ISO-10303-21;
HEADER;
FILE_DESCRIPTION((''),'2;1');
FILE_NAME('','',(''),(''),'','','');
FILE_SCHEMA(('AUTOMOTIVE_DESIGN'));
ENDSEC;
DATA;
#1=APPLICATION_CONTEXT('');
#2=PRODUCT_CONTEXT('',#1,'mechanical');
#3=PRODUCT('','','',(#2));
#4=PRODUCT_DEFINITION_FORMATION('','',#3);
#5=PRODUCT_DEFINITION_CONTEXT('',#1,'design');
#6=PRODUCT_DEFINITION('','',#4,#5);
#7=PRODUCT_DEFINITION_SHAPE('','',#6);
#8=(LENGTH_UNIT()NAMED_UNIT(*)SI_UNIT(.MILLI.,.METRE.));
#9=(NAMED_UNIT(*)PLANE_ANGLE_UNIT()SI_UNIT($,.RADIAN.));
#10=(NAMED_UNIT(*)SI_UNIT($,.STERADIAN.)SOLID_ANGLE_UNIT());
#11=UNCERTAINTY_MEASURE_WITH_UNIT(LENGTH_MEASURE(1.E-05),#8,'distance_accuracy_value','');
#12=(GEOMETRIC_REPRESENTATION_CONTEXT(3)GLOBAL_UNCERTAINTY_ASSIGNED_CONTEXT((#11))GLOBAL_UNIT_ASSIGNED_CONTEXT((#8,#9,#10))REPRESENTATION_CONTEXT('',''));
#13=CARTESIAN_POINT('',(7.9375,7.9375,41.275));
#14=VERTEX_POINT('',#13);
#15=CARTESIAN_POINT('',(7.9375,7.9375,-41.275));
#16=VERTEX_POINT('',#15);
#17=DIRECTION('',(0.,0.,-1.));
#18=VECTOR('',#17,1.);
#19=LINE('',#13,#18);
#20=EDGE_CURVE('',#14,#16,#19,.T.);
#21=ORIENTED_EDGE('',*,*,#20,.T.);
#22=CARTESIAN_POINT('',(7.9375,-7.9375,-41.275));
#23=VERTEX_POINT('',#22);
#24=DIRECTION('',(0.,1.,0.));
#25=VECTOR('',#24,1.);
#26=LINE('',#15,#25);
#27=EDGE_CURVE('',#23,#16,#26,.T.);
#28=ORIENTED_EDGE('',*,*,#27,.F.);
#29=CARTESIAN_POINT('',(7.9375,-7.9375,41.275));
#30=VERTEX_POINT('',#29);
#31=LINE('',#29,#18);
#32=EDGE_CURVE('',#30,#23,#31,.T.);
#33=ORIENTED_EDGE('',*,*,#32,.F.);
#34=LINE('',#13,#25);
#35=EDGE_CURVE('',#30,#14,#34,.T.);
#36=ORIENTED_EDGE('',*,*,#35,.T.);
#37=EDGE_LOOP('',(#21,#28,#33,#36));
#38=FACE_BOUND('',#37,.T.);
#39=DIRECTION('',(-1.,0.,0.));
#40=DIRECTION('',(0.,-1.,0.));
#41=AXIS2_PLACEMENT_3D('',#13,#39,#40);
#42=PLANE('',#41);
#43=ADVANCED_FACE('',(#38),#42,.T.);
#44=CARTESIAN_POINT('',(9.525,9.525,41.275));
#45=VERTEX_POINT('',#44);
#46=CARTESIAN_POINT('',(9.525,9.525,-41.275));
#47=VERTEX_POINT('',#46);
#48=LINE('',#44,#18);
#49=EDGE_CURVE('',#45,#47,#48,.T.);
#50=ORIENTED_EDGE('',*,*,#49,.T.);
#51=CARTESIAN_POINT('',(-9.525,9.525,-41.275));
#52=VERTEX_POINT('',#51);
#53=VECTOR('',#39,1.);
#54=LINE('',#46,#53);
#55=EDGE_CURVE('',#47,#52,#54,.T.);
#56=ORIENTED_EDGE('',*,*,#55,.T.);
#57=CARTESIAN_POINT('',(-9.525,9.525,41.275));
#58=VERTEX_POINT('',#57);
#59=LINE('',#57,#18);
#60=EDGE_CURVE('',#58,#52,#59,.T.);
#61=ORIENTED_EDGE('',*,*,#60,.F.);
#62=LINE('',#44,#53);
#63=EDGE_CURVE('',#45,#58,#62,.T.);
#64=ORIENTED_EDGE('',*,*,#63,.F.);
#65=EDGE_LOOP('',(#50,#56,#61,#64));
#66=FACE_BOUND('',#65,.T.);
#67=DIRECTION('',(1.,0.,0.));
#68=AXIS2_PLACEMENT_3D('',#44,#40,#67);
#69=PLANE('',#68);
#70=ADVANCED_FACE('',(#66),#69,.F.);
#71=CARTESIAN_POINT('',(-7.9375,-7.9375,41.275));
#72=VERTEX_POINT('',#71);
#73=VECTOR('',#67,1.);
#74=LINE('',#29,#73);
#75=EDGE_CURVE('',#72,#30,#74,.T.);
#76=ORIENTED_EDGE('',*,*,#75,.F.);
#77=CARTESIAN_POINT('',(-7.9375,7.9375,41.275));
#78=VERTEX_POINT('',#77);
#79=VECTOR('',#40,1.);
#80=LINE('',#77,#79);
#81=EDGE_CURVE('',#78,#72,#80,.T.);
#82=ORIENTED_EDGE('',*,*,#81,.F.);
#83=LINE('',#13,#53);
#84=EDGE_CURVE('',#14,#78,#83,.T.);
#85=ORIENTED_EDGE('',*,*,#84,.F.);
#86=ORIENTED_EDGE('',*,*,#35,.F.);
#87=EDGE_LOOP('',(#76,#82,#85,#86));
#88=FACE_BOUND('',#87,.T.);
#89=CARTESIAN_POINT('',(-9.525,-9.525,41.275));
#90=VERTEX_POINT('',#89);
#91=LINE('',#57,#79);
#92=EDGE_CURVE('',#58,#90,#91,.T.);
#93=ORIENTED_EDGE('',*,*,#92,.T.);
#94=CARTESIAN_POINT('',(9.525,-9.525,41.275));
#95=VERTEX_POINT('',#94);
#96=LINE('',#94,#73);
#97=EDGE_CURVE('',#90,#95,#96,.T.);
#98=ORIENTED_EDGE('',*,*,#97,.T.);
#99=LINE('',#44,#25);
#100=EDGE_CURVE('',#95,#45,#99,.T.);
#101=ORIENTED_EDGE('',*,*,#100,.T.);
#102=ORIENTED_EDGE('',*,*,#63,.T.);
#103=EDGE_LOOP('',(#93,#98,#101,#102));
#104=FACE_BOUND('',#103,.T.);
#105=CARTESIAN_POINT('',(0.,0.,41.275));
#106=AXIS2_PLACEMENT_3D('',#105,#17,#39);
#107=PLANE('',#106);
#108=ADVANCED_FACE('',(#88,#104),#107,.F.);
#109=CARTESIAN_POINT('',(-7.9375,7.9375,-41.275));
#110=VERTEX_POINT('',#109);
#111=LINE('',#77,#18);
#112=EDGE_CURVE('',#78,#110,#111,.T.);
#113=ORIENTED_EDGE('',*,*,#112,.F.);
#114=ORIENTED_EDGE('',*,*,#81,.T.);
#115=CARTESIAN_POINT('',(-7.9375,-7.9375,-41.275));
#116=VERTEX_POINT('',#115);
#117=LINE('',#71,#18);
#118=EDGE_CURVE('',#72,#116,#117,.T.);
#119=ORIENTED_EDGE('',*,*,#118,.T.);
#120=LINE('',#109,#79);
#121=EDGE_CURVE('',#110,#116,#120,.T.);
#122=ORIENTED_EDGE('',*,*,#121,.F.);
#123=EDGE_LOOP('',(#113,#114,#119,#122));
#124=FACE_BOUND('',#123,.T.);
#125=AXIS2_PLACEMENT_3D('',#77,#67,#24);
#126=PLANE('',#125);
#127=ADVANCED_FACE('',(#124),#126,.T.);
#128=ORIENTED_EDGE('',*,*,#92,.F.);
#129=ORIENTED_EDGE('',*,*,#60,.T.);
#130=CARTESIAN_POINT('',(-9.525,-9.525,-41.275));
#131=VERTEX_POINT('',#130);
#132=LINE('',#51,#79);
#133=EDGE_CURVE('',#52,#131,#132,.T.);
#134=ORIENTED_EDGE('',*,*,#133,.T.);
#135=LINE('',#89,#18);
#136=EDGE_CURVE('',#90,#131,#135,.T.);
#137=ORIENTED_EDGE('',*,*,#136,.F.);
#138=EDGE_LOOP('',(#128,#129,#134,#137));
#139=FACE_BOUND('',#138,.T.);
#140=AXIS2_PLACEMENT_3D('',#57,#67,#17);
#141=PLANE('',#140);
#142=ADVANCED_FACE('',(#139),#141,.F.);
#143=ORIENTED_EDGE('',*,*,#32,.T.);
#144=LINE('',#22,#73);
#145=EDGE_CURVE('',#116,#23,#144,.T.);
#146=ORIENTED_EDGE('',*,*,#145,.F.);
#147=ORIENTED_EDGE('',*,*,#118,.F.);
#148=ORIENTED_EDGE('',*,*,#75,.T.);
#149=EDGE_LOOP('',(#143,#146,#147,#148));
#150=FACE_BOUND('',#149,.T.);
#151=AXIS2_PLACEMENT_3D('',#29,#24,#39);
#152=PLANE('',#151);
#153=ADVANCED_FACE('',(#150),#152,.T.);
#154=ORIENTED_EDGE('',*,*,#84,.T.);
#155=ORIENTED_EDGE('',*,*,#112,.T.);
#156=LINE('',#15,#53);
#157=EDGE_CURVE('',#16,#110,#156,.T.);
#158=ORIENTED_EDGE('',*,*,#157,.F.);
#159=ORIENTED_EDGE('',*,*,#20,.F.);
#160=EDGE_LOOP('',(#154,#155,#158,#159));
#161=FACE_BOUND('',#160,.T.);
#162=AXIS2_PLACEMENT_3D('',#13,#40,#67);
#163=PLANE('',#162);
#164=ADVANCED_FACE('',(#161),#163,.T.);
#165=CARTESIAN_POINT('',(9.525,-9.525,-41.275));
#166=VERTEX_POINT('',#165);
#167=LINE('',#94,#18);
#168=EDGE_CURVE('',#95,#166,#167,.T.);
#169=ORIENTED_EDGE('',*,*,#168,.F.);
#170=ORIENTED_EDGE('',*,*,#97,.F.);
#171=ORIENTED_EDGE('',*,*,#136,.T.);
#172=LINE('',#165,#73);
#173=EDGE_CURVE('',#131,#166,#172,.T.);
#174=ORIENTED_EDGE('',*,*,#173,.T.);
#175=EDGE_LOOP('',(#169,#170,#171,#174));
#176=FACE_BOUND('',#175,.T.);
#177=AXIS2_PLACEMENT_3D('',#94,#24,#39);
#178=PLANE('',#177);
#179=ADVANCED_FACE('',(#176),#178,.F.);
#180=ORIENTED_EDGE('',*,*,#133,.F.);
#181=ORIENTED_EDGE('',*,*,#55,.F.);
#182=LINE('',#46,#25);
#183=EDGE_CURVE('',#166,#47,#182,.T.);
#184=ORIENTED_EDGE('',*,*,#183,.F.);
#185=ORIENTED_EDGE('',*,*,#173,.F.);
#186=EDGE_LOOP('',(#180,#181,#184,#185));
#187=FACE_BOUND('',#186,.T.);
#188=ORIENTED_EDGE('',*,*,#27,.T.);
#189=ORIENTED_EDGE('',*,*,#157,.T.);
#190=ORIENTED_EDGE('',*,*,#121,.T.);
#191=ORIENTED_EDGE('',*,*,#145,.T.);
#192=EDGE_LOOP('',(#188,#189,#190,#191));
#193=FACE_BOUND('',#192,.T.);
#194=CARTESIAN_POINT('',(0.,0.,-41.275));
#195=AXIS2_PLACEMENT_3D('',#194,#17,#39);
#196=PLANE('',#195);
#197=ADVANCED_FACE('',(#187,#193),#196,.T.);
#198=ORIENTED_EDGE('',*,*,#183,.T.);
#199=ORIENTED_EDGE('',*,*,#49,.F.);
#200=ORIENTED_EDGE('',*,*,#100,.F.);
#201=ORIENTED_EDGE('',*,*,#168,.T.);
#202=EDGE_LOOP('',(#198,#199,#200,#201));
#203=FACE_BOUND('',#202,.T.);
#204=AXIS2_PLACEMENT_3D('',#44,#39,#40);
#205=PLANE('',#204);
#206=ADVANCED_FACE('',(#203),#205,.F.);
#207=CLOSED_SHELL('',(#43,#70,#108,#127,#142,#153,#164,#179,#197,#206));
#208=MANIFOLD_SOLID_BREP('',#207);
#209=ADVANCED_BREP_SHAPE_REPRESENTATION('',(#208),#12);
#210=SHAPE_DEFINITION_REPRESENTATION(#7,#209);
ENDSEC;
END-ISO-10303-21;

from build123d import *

# Parameters (mm, degrees)
CROQUIS2_W              = 19.05
CROQUIS2_H              = 19.05
CROQUIS2_W_2            = 15.875
CROQUIS2_H_2            = 15.875
SALIENTE_EXTRUIR1_DEPTH = 41.275


with BuildPart() as part:
    # Croquis2 → Saliente-Extruir1 (new body, symmetric)
    with BuildSketch(Plane.XY):
        Rectangle(CROQUIS2_W, CROQUIS2_H)
        Rectangle(CROQUIS2_W_2, CROQUIS2_H_2, mode=Mode.SUBTRACT)
    extrude(amount=SALIENTE_EXTRUIR1_DEPTH, both=True)


solid = part.part
